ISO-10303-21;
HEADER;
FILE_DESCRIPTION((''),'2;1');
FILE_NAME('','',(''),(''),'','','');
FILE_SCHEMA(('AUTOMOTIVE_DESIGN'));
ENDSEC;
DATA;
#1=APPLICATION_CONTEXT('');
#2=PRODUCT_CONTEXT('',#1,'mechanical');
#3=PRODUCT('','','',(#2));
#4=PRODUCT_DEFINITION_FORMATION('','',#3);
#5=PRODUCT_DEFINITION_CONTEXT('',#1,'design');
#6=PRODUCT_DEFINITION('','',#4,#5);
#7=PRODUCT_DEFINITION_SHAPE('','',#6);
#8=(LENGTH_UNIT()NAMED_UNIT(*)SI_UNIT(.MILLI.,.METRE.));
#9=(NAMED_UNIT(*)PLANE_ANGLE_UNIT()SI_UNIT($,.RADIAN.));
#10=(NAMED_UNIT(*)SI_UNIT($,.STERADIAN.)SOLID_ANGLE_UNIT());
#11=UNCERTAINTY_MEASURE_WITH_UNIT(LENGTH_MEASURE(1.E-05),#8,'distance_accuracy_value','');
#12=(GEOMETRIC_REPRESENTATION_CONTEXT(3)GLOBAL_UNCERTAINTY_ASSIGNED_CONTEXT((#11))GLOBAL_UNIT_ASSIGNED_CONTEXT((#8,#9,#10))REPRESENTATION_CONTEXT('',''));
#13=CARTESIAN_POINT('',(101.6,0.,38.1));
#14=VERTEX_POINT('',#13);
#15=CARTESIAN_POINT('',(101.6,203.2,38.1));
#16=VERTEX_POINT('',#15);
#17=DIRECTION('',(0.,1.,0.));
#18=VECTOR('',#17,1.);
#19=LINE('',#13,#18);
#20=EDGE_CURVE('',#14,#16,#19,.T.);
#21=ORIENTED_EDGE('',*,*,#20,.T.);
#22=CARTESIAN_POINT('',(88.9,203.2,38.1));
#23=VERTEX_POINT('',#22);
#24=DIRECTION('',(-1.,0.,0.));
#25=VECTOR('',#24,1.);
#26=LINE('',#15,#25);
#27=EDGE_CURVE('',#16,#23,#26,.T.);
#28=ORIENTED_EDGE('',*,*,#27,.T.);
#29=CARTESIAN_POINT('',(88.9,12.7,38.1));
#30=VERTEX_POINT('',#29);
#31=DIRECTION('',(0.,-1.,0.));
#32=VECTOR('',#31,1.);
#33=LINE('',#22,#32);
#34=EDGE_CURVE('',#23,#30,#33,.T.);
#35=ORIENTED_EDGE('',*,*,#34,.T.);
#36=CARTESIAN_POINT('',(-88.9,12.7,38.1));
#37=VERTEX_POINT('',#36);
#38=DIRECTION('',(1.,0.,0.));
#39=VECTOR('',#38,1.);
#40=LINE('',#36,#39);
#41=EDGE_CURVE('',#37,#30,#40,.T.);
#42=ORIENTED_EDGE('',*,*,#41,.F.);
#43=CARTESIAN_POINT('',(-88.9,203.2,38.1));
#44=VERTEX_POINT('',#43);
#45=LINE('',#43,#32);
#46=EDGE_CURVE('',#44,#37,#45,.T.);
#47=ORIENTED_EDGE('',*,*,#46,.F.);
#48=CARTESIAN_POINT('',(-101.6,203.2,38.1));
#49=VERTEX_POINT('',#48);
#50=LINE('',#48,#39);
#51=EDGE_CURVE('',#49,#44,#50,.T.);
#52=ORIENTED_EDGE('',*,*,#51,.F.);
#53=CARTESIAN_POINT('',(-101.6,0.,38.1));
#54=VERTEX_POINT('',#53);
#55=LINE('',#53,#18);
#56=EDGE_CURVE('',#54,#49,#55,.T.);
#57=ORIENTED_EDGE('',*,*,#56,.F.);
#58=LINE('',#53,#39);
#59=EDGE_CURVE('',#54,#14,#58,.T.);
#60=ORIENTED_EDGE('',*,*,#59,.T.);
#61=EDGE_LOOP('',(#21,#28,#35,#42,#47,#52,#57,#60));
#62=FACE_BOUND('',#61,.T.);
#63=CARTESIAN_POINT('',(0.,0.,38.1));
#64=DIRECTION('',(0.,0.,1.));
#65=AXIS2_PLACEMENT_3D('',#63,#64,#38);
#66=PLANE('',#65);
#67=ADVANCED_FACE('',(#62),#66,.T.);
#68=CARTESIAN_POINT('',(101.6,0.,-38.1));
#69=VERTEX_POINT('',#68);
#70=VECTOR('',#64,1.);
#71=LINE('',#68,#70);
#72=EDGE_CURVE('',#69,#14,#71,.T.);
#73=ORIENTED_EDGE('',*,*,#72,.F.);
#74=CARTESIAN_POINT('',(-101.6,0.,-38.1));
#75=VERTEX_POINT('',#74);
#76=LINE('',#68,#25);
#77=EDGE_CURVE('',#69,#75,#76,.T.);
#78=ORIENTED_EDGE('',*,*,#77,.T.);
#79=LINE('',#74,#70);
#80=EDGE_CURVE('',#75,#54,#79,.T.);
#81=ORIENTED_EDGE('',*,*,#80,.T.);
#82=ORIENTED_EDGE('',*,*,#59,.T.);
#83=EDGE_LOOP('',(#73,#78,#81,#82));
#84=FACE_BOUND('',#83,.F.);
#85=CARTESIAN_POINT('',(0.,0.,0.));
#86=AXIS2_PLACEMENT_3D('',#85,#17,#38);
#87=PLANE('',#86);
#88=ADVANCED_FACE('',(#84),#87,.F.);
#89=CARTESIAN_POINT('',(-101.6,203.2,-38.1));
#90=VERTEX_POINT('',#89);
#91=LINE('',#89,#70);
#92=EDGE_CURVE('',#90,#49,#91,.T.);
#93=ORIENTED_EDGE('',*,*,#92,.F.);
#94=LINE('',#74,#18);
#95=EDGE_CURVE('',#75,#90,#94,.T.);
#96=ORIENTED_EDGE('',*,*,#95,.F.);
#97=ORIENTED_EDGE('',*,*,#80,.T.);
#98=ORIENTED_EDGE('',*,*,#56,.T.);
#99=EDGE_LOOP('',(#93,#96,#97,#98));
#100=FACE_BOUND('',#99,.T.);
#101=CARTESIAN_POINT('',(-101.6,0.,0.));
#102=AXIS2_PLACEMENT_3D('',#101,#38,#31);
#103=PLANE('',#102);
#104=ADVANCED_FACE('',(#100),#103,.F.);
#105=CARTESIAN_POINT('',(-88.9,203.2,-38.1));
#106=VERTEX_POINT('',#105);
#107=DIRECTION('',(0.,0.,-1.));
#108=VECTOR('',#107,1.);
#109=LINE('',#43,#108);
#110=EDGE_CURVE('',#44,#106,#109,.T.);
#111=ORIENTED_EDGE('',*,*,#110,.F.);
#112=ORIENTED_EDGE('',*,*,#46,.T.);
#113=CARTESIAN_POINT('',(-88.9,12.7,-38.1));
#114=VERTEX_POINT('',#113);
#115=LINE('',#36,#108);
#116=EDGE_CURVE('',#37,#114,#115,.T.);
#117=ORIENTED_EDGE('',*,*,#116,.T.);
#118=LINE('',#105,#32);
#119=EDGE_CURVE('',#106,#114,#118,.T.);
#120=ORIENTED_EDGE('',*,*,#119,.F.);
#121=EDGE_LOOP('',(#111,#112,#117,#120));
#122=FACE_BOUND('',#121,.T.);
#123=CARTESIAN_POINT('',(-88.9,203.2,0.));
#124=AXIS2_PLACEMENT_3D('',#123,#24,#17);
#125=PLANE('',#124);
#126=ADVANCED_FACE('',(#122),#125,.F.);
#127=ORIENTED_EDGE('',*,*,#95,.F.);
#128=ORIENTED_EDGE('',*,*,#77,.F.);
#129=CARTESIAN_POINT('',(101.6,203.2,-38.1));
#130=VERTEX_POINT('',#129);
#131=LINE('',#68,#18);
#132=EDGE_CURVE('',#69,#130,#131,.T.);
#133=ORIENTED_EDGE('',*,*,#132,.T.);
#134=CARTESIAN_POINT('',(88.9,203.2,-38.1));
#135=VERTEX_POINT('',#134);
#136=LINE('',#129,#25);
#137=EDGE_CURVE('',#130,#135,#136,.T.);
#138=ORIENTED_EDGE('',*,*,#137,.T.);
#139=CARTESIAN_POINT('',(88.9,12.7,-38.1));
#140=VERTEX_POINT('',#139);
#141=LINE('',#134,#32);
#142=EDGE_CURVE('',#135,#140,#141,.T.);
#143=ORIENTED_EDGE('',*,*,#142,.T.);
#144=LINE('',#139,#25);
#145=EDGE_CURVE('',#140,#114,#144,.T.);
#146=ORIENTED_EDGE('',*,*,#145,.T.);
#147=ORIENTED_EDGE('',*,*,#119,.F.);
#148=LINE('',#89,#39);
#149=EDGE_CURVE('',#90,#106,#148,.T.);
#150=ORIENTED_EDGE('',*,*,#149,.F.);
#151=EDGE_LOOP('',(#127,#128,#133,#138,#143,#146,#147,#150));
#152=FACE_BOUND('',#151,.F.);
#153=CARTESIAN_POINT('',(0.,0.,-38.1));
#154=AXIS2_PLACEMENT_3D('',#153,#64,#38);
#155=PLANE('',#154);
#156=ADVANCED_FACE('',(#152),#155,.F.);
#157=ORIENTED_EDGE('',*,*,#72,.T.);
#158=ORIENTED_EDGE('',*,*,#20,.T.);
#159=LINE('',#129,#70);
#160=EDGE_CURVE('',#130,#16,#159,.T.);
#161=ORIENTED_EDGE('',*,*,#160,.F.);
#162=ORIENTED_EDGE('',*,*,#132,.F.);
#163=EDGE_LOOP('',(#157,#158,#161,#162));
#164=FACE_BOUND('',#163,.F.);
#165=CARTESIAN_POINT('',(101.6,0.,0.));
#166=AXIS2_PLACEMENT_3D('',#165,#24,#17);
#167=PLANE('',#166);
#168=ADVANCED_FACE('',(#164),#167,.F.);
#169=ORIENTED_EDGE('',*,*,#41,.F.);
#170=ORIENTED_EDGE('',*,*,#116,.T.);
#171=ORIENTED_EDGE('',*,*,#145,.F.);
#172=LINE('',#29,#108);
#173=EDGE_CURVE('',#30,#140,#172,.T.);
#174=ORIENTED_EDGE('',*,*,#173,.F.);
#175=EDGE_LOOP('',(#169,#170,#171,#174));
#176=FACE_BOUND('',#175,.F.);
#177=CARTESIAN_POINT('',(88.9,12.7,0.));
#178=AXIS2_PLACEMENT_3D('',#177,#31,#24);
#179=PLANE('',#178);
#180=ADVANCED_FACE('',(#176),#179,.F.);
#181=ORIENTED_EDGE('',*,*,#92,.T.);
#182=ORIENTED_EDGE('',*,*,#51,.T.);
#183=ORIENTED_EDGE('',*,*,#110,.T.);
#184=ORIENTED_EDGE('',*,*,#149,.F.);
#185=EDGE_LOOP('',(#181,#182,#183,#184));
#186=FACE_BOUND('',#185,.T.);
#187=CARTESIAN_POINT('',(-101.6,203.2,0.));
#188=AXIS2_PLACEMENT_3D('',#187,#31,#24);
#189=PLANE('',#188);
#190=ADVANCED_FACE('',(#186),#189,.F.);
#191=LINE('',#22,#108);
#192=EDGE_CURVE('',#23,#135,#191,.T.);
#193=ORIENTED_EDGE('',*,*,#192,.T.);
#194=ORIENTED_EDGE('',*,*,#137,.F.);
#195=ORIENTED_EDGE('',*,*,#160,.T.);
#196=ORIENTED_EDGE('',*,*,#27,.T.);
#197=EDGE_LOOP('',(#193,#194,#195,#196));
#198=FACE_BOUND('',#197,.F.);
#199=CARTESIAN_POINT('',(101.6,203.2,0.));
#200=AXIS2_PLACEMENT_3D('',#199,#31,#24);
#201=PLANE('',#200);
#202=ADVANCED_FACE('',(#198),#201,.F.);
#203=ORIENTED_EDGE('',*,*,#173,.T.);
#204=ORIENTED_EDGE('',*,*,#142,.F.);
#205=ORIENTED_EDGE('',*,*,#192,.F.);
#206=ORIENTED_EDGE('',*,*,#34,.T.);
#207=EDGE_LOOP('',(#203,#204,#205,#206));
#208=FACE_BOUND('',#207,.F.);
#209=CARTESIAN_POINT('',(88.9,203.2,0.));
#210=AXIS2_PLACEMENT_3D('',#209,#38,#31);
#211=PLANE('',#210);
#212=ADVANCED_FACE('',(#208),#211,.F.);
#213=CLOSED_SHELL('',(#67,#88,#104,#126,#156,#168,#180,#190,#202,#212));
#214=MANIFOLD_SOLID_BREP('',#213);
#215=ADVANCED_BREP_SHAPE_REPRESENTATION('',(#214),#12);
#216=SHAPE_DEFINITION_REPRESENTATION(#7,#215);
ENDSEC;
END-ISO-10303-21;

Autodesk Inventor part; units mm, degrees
ref_plane "XZ Plane" through (0, 0, 0) normal (0, 1, 0) x (-1, 0, 0)
ref_plane "XY Plane" through (0, 0, 0) normal (0, 0, 1) x (1, 0, 0)
sketch "Sketch3" plane through (0, 0, 0) normal (0, 0, 1) x (1, 0, 0)
  line L0 (0, 0) -> (0, 127) construction
  line L1 (0, 0) -> (101.6, 0)
  line L2 (101.6, 0) -> (101.6, 203.2)
  line L3 (101.6, 203.2) -> (88.9, 203.2)
  line L4 (88.9, 203.2) -> (88.9, 12.7)
  line L5 (88.9, 12.7) -> (0, 12.7)
  line L6 (0, 12.7) -> (0, 0)
  dimension "d2" = 127
  dimension "forkWallThickness" = 12.7
  dimension "oneHalfTubeDiameter" = 88.9
  dimension "baseMaterialWidth" = 12.7
  dimension "d6" = 203.2
extrude "Extrusion1" add sketch "Sketch3" along normal mid plane 76.2
mirror "Mirror1" about plane through (0, 0, 0) normal (1, 0, 0) of "Extrusion1"
properties part number "forkV01"
